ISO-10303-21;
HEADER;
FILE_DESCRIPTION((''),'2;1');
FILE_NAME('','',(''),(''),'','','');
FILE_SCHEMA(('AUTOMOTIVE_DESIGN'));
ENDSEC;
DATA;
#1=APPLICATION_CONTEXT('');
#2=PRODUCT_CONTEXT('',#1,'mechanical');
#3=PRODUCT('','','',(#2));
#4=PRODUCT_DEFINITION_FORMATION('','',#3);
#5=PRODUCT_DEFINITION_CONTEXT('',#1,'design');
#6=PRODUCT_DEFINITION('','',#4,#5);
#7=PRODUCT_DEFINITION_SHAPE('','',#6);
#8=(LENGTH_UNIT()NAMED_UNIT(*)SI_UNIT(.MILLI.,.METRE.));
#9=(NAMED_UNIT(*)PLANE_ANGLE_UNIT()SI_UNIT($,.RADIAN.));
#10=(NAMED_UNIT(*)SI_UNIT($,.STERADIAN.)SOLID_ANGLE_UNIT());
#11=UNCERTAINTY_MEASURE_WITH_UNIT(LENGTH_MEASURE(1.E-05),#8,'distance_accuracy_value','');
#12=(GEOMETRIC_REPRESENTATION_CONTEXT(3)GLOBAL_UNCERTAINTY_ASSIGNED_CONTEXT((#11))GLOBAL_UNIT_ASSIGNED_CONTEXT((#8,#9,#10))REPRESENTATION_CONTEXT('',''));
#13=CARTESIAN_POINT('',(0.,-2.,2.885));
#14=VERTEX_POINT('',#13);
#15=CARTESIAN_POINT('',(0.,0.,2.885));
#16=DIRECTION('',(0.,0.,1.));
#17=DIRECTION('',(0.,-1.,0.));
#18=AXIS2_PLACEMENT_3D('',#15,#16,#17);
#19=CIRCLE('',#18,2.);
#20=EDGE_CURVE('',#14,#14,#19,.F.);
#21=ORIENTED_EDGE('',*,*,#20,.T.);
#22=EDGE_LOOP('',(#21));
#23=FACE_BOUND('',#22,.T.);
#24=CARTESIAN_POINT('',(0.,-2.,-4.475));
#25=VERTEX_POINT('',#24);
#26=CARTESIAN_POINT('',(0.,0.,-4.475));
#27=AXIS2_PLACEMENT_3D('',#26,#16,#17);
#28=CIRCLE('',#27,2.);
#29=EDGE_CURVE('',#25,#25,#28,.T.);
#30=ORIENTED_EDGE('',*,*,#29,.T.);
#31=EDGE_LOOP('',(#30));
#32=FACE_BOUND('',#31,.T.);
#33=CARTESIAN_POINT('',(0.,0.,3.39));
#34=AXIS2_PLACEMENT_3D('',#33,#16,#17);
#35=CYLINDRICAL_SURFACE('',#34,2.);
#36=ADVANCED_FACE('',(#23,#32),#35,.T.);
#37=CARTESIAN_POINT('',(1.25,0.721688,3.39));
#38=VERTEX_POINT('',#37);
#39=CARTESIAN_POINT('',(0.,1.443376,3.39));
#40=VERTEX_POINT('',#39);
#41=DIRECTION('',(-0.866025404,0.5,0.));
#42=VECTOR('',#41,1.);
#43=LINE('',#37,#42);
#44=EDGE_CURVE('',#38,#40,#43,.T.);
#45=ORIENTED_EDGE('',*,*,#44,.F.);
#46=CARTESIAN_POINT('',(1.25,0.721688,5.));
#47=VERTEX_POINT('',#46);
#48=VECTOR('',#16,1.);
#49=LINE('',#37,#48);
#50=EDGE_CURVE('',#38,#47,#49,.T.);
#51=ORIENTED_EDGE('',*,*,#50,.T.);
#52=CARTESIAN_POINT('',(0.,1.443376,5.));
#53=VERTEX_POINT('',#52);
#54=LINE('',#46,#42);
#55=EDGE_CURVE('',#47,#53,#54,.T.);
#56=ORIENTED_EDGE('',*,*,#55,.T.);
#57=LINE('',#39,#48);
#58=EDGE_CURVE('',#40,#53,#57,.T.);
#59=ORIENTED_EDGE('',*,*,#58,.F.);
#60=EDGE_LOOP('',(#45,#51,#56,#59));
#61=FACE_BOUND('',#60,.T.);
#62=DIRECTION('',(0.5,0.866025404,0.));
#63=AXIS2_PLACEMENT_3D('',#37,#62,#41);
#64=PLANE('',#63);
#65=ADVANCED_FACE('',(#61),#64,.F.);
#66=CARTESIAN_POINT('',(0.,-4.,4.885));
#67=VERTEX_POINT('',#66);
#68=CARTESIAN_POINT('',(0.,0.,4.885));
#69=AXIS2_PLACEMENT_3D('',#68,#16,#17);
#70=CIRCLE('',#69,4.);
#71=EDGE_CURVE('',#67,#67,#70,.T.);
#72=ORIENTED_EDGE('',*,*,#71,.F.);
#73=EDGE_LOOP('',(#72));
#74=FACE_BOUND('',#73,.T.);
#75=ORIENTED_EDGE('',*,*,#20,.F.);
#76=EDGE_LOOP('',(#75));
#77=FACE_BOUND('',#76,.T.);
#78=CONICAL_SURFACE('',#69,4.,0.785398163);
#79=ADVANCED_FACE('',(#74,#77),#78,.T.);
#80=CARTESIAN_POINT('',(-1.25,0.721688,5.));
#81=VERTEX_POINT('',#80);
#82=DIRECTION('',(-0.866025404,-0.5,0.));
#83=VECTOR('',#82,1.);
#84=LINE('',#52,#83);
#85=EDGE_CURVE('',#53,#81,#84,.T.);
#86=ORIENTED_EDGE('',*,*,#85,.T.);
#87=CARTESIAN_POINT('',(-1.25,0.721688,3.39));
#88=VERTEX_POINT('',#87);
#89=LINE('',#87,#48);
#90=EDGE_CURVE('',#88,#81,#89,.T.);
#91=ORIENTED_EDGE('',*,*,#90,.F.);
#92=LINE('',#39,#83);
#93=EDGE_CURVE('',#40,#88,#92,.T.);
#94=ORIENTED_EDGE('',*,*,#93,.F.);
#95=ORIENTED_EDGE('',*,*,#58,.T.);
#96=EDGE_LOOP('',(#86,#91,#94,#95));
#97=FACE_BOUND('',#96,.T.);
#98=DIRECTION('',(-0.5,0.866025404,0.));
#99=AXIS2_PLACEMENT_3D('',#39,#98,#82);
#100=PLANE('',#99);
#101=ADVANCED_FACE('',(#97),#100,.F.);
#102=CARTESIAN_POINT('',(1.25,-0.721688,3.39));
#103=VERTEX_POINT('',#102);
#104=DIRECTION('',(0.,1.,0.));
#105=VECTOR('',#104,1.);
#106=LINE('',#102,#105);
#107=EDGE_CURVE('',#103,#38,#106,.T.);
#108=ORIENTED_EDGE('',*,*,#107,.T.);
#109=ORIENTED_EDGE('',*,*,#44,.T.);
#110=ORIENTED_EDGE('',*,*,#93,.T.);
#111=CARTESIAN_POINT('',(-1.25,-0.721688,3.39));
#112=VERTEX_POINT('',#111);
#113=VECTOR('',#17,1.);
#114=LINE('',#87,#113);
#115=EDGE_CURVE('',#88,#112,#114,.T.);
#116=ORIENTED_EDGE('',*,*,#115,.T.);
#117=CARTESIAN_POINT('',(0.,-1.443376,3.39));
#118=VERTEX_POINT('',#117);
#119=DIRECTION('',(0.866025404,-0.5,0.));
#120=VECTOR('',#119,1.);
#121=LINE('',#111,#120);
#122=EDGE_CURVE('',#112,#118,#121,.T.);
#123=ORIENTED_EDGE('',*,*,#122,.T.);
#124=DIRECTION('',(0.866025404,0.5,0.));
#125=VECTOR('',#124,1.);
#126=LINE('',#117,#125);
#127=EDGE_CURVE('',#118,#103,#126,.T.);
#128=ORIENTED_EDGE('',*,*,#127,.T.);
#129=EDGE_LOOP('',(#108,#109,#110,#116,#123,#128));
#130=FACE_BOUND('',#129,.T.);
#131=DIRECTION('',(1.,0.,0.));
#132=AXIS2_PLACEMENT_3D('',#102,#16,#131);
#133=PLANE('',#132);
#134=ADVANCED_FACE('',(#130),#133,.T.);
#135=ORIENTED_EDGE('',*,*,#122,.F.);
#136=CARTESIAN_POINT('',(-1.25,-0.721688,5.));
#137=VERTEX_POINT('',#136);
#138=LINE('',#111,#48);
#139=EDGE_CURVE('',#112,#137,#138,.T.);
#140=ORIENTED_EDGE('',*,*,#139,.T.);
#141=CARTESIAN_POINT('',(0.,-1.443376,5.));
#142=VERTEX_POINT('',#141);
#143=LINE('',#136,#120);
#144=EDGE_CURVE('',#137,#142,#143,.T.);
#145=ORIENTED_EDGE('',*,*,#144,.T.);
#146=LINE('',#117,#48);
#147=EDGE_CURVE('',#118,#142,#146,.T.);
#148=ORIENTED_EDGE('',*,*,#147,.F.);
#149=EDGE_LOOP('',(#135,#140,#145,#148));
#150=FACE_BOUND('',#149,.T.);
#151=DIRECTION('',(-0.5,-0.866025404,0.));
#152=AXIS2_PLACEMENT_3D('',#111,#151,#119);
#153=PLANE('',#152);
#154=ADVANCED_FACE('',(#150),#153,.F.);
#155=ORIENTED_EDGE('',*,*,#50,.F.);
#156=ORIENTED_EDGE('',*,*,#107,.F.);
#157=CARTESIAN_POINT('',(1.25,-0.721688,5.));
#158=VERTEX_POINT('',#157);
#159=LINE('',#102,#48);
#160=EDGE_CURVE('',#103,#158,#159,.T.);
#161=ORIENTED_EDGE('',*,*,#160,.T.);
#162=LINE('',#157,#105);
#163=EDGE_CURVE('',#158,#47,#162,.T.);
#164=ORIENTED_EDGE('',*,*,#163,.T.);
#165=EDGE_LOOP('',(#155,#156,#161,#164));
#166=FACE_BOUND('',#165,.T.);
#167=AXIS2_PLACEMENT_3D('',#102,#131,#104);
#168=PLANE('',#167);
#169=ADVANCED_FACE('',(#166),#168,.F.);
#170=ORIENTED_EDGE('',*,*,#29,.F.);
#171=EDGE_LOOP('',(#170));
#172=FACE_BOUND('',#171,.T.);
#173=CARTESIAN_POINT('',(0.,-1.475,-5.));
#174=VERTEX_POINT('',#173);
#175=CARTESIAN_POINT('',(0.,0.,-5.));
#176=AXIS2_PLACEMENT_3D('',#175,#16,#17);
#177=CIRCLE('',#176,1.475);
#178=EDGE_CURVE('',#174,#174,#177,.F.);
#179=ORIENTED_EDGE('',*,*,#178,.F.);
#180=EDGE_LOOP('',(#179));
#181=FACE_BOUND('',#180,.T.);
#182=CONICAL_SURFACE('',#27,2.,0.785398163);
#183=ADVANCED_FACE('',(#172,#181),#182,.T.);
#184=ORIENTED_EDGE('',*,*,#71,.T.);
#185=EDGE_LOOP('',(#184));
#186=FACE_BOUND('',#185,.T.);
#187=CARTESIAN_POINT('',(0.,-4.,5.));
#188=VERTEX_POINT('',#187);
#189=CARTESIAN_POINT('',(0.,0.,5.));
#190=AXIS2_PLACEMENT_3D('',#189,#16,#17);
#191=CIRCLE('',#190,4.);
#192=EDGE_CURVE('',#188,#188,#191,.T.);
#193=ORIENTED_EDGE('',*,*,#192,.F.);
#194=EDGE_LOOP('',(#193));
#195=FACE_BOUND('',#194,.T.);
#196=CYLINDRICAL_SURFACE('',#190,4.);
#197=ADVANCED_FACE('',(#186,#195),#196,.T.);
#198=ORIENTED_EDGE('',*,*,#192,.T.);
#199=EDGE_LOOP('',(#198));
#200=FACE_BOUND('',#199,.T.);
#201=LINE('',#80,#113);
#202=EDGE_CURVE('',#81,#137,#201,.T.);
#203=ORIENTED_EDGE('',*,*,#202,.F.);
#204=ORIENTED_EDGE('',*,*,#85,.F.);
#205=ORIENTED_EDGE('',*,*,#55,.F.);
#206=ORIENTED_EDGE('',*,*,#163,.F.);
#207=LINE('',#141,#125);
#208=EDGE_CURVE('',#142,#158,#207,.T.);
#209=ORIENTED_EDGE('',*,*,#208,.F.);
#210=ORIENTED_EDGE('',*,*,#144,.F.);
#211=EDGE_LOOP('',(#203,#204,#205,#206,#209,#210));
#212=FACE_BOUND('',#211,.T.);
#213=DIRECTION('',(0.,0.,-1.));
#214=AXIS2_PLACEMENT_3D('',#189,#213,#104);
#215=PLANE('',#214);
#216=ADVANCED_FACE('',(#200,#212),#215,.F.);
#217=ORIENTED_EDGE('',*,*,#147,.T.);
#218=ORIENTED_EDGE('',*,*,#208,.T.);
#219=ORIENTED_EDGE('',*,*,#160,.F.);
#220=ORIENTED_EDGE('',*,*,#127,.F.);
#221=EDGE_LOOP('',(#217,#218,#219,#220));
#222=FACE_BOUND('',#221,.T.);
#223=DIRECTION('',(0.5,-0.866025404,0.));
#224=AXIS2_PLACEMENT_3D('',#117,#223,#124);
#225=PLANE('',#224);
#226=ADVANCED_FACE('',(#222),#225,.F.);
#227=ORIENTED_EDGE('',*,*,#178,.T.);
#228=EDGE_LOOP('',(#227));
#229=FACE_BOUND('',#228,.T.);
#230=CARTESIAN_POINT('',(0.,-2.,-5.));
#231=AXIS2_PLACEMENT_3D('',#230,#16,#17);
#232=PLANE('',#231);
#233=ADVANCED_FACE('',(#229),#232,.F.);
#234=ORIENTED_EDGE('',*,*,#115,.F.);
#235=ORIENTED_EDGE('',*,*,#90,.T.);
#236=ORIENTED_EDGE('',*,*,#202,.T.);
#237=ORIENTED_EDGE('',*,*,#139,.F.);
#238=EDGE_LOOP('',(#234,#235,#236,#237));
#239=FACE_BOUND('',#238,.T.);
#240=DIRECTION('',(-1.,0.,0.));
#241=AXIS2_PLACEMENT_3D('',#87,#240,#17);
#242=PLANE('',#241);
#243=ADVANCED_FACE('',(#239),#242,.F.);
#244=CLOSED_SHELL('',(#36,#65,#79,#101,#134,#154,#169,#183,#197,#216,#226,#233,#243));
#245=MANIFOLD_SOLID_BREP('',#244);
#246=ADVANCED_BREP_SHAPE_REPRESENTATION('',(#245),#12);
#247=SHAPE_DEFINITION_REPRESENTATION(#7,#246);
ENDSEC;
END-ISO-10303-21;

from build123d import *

# Parameters (mm, degrees)
CHAMFER1_SIZE      = 0.525
CUT_EXTRUDE2_DEPTH = 1.61


with BuildPart() as part:
    # Sketch1 → Revolve1 (revolve)
    with BuildSketch(Plane(origin=(0, 0, 0), x_dir=(0, 0, -1), z_dir=(1, 0, 0))):
        Polygon((-2.7, 2), (5, 2), (5, 0), (-3.39, 0), (-3.39, 2), align=None)
    revolve(axis=Axis((0, 0, 3.39), (0, 0, -1)))

    # Chamfer1
    chamfer1_edges = [part.edges().sort_by_distance(p)[0] for p in [
        (0, -2, -5),
    ]]
    chamfer(chamfer1_edges, length=CHAMFER1_SIZE)

    # Sketch7 → Revolve2 (revolve)
    with BuildSketch(Plane(origin=(0, 0, 0), x_dir=(0, 0, -1), z_dir=(1, 0, 0))):
        Polygon((-4.885, 4), (-5, 4), (-5, 0), (-2.7, 0), (-2.7, 1.815), align=None)
    revolve(axis=Axis((0, 0, 5), (0, 0, -1)))

    # Sketch5 → Cut-Extrude2 (cut)
    with BuildSketch(Plane.XY.offset(5)):
        Polygon((1.25, -0.721687836), (1.25, 0.721687836), (0, 1.443375673), (-1.25, 0.721687836), (-1.25, -0.721687836), (0, -1.443375673), align=None)
    extrude(amount=-CUT_EXTRUDE2_DEPTH, mode=Mode.SUBTRACT)


solid = part.part
